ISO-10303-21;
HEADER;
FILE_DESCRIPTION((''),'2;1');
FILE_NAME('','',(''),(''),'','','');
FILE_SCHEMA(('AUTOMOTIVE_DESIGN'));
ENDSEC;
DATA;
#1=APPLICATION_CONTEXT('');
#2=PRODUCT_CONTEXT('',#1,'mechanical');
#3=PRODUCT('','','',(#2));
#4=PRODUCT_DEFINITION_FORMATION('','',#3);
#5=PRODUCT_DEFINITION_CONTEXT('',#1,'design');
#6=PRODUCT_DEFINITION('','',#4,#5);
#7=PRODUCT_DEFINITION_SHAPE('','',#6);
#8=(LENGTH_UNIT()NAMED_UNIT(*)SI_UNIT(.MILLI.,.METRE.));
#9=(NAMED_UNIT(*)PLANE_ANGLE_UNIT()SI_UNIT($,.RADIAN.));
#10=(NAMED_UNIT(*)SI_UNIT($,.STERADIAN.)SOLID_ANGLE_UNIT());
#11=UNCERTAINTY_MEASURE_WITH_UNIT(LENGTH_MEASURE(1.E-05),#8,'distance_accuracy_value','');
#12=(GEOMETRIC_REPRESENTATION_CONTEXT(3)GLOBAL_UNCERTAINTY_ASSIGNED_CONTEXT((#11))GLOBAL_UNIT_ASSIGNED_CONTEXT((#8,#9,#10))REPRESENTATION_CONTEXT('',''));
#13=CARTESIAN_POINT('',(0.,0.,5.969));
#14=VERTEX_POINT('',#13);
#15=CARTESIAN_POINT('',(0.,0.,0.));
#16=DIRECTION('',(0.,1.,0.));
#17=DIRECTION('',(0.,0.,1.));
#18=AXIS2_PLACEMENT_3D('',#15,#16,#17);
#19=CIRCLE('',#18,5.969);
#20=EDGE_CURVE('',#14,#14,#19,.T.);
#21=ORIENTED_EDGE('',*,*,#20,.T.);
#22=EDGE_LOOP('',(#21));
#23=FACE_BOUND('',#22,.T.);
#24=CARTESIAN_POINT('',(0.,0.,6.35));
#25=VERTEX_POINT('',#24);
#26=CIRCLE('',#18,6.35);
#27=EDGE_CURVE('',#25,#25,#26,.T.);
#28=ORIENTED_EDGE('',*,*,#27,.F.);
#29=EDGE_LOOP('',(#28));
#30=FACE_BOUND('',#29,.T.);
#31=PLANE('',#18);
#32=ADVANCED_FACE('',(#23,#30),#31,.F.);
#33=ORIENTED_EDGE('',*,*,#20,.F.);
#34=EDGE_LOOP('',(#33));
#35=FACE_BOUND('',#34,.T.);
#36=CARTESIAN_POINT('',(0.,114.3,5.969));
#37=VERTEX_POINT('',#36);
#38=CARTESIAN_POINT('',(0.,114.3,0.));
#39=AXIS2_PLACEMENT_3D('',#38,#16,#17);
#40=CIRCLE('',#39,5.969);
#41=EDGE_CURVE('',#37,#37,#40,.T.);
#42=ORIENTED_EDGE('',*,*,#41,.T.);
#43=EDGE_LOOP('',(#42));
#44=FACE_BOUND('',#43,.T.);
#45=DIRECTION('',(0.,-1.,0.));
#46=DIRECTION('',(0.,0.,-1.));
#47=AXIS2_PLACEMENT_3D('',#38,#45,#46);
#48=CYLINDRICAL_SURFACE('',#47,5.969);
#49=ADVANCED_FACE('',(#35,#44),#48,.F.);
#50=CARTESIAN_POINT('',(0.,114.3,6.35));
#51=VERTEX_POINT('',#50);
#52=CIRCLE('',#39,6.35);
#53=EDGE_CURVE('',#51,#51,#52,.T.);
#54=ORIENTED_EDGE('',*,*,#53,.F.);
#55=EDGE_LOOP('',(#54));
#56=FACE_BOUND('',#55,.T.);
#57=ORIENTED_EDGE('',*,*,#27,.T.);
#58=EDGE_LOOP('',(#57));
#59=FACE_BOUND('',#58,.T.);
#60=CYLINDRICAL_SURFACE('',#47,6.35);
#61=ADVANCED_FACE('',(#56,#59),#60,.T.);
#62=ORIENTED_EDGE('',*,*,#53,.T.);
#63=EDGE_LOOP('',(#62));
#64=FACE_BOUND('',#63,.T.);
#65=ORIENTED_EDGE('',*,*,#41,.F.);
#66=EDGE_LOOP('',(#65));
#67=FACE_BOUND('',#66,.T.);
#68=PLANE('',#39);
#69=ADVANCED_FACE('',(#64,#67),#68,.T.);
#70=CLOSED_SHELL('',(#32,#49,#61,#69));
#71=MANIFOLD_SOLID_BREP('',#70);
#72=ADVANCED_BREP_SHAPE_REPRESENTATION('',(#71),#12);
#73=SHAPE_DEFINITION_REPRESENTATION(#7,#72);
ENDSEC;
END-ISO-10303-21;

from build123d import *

# Parameters (mm, degrees)
SKETCH1_R           = 6.35
SKETCH1_R_2         = 5.969
BOSS_EXTRUDE1_DEPTH = 114.3


with BuildPart() as part:
    # Sketch1 → Boss-Extrude1 (new body)
    with BuildSketch(Plane(origin=(0, 0, 0), x_dir=(1, 0, 0), z_dir=(0, 1, 0))):
        Circle(SKETCH1_R)
        Circle(SKETCH1_R_2, mode=Mode.SUBTRACT)
    extrude(amount=BOSS_EXTRUDE1_DEPTH)


solid = part.part
